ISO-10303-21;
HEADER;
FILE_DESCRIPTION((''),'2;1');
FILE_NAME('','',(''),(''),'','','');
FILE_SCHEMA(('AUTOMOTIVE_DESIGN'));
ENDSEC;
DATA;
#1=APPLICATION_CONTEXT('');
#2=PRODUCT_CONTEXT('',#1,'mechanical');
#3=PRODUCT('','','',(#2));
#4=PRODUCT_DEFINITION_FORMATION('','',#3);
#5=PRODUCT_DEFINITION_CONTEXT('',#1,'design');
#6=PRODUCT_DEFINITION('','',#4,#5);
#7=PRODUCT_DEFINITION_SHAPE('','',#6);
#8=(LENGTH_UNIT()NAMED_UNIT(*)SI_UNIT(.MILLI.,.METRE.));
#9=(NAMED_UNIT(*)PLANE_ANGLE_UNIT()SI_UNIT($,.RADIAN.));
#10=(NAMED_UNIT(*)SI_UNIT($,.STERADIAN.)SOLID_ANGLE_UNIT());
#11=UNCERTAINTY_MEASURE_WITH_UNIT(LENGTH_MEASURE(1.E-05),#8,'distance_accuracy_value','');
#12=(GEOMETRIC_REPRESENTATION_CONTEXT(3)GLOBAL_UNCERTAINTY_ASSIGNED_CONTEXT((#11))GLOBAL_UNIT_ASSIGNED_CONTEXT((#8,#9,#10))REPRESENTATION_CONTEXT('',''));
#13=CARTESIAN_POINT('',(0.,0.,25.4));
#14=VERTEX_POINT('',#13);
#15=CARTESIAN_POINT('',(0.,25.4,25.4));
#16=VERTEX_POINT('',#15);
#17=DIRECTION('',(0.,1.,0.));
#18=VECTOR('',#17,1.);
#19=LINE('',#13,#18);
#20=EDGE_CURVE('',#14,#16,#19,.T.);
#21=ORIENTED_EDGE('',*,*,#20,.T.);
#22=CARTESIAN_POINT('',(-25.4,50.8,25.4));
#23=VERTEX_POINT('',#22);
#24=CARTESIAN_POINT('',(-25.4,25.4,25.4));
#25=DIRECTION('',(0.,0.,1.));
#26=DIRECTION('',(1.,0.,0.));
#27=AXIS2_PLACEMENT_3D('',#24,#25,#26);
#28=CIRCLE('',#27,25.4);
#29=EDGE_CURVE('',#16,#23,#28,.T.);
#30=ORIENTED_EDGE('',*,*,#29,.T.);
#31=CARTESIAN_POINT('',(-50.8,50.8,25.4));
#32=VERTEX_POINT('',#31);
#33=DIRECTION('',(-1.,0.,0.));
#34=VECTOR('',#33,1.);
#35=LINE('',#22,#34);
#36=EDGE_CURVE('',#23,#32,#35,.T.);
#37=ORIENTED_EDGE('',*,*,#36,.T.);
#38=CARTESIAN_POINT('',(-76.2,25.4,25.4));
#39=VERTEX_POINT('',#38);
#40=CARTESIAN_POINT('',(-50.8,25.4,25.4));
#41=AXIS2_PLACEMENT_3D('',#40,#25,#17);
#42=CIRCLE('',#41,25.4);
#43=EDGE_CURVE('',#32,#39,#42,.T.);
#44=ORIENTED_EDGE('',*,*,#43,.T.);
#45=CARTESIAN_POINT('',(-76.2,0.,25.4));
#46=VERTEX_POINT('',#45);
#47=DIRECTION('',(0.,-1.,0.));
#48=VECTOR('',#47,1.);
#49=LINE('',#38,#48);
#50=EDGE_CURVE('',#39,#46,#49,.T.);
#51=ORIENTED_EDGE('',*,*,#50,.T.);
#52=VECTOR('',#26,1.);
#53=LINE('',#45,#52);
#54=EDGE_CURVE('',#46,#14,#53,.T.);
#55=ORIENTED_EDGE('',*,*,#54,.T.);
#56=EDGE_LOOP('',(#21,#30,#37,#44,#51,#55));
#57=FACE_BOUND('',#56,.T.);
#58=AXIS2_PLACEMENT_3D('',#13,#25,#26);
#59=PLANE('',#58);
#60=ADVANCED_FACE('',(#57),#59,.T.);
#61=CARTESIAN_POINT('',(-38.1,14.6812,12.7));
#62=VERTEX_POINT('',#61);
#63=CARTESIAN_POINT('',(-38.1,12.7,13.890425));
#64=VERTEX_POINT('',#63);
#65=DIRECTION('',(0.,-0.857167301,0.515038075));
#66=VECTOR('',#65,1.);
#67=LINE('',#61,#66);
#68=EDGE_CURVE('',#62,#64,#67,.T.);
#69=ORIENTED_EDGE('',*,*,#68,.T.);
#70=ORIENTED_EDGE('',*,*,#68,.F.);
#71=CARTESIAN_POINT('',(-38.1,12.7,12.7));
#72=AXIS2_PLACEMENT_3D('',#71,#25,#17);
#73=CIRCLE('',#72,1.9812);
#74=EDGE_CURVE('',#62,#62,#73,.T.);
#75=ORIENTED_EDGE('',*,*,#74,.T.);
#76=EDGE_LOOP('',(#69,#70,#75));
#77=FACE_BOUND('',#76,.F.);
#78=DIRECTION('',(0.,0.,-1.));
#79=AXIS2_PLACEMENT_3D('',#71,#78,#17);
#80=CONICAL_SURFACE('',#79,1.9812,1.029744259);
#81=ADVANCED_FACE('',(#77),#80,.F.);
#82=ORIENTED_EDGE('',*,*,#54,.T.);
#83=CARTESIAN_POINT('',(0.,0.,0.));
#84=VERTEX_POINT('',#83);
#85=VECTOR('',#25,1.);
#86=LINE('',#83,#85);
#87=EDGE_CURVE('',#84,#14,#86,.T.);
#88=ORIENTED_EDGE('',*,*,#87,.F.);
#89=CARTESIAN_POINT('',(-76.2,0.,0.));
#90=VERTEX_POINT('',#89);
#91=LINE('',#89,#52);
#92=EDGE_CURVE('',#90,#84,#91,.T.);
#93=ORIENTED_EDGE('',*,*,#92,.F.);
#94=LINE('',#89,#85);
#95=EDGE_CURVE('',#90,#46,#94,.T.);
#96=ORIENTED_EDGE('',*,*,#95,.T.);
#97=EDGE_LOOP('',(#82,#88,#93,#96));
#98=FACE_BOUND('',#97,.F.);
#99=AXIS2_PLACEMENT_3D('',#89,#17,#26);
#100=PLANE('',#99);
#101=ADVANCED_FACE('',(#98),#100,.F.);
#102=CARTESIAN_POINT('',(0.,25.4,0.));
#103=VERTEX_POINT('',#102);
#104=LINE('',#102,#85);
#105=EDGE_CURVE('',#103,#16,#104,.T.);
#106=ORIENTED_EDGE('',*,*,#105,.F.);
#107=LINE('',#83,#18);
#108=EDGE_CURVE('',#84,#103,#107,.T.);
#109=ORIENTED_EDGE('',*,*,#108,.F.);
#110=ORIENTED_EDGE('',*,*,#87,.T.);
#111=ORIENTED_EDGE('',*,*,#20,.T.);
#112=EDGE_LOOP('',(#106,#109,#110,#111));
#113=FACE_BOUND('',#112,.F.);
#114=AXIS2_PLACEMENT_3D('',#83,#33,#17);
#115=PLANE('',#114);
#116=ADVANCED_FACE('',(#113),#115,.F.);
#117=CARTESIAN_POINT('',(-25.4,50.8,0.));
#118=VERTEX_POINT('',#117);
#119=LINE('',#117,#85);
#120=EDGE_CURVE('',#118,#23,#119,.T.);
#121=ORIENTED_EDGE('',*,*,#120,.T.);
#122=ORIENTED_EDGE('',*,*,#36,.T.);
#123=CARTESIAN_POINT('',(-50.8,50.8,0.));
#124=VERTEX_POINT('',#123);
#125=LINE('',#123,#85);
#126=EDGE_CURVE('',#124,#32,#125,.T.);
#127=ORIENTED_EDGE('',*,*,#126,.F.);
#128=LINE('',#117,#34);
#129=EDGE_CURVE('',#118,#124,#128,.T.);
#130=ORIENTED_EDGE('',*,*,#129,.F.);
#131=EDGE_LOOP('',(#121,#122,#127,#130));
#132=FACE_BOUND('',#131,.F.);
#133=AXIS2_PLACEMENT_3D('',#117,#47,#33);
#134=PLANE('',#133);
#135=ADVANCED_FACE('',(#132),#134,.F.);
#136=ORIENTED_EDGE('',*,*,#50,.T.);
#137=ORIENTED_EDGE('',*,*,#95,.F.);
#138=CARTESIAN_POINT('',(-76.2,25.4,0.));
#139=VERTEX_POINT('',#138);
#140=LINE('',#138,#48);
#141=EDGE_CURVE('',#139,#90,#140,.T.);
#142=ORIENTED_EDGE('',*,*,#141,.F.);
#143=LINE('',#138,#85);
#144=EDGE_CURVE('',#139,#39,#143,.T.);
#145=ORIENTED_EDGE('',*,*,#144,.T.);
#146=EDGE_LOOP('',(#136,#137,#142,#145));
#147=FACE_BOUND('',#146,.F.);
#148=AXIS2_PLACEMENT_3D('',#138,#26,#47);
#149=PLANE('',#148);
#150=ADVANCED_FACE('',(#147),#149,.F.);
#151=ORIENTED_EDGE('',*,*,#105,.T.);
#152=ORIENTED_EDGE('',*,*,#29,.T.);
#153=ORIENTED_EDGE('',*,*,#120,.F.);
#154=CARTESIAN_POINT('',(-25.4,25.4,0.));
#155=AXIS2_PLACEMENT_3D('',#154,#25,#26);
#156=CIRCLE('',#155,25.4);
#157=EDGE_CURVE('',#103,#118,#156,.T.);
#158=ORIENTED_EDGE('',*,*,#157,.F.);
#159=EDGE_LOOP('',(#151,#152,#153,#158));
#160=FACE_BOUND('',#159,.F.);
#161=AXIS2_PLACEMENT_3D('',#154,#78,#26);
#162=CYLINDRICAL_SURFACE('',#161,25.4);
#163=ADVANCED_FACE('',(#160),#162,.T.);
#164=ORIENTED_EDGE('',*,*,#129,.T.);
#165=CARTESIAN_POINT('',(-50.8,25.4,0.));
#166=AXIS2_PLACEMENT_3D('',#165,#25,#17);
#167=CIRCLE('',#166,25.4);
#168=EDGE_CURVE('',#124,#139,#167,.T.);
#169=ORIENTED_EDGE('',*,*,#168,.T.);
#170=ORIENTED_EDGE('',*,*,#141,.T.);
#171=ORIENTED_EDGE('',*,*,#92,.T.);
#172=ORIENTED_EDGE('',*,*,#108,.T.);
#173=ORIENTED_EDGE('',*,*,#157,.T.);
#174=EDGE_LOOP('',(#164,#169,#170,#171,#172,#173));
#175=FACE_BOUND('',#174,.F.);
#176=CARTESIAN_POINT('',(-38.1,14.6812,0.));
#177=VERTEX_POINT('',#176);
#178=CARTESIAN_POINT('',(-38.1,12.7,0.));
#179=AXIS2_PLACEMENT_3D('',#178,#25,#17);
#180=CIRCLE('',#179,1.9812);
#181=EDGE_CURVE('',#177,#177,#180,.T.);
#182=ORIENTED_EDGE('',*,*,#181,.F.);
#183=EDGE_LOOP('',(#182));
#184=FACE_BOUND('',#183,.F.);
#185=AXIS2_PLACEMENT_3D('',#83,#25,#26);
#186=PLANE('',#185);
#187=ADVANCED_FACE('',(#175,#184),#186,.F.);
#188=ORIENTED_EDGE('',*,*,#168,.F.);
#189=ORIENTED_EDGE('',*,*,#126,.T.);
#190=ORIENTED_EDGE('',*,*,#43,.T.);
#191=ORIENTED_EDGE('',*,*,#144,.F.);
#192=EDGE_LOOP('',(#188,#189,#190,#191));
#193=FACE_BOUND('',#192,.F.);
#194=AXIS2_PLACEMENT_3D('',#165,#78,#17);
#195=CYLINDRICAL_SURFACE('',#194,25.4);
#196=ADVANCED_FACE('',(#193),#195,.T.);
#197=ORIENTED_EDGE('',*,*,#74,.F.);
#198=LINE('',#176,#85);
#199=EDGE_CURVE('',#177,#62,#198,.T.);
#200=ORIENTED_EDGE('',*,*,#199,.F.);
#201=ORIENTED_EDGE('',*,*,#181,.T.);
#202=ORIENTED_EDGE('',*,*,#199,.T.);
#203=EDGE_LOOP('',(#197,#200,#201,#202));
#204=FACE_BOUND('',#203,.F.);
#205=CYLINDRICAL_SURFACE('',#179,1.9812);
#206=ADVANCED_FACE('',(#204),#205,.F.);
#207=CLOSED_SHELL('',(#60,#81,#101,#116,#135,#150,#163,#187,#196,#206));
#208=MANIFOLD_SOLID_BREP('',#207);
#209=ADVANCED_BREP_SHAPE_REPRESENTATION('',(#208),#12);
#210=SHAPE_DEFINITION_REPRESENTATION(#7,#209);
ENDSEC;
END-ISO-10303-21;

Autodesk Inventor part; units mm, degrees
ref_plane "YZ Plane" through (0, 0, 0) normal (1, 0, 0) x (0, 1, 0)
ref_plane "XZ Plane" through (0, 0, 0) normal (0, 1, 0) x (-1, 0, 0)
ref_plane "XY Plane" through (0, 0, 0) normal (0, 0, 1) x (1, 0, 0)
sketch "Sketch1" plane through (0, 0, 0) normal (0, 0, 1) x (1, 0, 0)
  line L0 (0, 0) -> (0, 25.4)
  arc A0 (0, 25.4) -> (-25.4, 50.8) centre (-25.4, 25.4) ccw
  line L1 (-25.4, 50.8) -> (-50.8, 50.8)
  arc A1 (-50.8, 50.8) -> (-76.2, 25.4) centre (-50.8, 25.4) ccw
  line L2 (-76.2, 25.4) -> (-76.2, 0)
  line L3 (-76.2, 0) -> (0, 0)
  point P0 (-38.1, 12.7)
extrude "Extrusion1" add sketch "Sketch1" along normal blind 25.4
hole "Hole1" at (-38.1, 12.7, 0) direction (0, 0, 1) diameter 3.9624 depth 12.7 tip angle 118 thread size "10-32 UNF" class "2B" standard "ANSI Unified Screw Threads"
properties part number "00001_arc_test"
